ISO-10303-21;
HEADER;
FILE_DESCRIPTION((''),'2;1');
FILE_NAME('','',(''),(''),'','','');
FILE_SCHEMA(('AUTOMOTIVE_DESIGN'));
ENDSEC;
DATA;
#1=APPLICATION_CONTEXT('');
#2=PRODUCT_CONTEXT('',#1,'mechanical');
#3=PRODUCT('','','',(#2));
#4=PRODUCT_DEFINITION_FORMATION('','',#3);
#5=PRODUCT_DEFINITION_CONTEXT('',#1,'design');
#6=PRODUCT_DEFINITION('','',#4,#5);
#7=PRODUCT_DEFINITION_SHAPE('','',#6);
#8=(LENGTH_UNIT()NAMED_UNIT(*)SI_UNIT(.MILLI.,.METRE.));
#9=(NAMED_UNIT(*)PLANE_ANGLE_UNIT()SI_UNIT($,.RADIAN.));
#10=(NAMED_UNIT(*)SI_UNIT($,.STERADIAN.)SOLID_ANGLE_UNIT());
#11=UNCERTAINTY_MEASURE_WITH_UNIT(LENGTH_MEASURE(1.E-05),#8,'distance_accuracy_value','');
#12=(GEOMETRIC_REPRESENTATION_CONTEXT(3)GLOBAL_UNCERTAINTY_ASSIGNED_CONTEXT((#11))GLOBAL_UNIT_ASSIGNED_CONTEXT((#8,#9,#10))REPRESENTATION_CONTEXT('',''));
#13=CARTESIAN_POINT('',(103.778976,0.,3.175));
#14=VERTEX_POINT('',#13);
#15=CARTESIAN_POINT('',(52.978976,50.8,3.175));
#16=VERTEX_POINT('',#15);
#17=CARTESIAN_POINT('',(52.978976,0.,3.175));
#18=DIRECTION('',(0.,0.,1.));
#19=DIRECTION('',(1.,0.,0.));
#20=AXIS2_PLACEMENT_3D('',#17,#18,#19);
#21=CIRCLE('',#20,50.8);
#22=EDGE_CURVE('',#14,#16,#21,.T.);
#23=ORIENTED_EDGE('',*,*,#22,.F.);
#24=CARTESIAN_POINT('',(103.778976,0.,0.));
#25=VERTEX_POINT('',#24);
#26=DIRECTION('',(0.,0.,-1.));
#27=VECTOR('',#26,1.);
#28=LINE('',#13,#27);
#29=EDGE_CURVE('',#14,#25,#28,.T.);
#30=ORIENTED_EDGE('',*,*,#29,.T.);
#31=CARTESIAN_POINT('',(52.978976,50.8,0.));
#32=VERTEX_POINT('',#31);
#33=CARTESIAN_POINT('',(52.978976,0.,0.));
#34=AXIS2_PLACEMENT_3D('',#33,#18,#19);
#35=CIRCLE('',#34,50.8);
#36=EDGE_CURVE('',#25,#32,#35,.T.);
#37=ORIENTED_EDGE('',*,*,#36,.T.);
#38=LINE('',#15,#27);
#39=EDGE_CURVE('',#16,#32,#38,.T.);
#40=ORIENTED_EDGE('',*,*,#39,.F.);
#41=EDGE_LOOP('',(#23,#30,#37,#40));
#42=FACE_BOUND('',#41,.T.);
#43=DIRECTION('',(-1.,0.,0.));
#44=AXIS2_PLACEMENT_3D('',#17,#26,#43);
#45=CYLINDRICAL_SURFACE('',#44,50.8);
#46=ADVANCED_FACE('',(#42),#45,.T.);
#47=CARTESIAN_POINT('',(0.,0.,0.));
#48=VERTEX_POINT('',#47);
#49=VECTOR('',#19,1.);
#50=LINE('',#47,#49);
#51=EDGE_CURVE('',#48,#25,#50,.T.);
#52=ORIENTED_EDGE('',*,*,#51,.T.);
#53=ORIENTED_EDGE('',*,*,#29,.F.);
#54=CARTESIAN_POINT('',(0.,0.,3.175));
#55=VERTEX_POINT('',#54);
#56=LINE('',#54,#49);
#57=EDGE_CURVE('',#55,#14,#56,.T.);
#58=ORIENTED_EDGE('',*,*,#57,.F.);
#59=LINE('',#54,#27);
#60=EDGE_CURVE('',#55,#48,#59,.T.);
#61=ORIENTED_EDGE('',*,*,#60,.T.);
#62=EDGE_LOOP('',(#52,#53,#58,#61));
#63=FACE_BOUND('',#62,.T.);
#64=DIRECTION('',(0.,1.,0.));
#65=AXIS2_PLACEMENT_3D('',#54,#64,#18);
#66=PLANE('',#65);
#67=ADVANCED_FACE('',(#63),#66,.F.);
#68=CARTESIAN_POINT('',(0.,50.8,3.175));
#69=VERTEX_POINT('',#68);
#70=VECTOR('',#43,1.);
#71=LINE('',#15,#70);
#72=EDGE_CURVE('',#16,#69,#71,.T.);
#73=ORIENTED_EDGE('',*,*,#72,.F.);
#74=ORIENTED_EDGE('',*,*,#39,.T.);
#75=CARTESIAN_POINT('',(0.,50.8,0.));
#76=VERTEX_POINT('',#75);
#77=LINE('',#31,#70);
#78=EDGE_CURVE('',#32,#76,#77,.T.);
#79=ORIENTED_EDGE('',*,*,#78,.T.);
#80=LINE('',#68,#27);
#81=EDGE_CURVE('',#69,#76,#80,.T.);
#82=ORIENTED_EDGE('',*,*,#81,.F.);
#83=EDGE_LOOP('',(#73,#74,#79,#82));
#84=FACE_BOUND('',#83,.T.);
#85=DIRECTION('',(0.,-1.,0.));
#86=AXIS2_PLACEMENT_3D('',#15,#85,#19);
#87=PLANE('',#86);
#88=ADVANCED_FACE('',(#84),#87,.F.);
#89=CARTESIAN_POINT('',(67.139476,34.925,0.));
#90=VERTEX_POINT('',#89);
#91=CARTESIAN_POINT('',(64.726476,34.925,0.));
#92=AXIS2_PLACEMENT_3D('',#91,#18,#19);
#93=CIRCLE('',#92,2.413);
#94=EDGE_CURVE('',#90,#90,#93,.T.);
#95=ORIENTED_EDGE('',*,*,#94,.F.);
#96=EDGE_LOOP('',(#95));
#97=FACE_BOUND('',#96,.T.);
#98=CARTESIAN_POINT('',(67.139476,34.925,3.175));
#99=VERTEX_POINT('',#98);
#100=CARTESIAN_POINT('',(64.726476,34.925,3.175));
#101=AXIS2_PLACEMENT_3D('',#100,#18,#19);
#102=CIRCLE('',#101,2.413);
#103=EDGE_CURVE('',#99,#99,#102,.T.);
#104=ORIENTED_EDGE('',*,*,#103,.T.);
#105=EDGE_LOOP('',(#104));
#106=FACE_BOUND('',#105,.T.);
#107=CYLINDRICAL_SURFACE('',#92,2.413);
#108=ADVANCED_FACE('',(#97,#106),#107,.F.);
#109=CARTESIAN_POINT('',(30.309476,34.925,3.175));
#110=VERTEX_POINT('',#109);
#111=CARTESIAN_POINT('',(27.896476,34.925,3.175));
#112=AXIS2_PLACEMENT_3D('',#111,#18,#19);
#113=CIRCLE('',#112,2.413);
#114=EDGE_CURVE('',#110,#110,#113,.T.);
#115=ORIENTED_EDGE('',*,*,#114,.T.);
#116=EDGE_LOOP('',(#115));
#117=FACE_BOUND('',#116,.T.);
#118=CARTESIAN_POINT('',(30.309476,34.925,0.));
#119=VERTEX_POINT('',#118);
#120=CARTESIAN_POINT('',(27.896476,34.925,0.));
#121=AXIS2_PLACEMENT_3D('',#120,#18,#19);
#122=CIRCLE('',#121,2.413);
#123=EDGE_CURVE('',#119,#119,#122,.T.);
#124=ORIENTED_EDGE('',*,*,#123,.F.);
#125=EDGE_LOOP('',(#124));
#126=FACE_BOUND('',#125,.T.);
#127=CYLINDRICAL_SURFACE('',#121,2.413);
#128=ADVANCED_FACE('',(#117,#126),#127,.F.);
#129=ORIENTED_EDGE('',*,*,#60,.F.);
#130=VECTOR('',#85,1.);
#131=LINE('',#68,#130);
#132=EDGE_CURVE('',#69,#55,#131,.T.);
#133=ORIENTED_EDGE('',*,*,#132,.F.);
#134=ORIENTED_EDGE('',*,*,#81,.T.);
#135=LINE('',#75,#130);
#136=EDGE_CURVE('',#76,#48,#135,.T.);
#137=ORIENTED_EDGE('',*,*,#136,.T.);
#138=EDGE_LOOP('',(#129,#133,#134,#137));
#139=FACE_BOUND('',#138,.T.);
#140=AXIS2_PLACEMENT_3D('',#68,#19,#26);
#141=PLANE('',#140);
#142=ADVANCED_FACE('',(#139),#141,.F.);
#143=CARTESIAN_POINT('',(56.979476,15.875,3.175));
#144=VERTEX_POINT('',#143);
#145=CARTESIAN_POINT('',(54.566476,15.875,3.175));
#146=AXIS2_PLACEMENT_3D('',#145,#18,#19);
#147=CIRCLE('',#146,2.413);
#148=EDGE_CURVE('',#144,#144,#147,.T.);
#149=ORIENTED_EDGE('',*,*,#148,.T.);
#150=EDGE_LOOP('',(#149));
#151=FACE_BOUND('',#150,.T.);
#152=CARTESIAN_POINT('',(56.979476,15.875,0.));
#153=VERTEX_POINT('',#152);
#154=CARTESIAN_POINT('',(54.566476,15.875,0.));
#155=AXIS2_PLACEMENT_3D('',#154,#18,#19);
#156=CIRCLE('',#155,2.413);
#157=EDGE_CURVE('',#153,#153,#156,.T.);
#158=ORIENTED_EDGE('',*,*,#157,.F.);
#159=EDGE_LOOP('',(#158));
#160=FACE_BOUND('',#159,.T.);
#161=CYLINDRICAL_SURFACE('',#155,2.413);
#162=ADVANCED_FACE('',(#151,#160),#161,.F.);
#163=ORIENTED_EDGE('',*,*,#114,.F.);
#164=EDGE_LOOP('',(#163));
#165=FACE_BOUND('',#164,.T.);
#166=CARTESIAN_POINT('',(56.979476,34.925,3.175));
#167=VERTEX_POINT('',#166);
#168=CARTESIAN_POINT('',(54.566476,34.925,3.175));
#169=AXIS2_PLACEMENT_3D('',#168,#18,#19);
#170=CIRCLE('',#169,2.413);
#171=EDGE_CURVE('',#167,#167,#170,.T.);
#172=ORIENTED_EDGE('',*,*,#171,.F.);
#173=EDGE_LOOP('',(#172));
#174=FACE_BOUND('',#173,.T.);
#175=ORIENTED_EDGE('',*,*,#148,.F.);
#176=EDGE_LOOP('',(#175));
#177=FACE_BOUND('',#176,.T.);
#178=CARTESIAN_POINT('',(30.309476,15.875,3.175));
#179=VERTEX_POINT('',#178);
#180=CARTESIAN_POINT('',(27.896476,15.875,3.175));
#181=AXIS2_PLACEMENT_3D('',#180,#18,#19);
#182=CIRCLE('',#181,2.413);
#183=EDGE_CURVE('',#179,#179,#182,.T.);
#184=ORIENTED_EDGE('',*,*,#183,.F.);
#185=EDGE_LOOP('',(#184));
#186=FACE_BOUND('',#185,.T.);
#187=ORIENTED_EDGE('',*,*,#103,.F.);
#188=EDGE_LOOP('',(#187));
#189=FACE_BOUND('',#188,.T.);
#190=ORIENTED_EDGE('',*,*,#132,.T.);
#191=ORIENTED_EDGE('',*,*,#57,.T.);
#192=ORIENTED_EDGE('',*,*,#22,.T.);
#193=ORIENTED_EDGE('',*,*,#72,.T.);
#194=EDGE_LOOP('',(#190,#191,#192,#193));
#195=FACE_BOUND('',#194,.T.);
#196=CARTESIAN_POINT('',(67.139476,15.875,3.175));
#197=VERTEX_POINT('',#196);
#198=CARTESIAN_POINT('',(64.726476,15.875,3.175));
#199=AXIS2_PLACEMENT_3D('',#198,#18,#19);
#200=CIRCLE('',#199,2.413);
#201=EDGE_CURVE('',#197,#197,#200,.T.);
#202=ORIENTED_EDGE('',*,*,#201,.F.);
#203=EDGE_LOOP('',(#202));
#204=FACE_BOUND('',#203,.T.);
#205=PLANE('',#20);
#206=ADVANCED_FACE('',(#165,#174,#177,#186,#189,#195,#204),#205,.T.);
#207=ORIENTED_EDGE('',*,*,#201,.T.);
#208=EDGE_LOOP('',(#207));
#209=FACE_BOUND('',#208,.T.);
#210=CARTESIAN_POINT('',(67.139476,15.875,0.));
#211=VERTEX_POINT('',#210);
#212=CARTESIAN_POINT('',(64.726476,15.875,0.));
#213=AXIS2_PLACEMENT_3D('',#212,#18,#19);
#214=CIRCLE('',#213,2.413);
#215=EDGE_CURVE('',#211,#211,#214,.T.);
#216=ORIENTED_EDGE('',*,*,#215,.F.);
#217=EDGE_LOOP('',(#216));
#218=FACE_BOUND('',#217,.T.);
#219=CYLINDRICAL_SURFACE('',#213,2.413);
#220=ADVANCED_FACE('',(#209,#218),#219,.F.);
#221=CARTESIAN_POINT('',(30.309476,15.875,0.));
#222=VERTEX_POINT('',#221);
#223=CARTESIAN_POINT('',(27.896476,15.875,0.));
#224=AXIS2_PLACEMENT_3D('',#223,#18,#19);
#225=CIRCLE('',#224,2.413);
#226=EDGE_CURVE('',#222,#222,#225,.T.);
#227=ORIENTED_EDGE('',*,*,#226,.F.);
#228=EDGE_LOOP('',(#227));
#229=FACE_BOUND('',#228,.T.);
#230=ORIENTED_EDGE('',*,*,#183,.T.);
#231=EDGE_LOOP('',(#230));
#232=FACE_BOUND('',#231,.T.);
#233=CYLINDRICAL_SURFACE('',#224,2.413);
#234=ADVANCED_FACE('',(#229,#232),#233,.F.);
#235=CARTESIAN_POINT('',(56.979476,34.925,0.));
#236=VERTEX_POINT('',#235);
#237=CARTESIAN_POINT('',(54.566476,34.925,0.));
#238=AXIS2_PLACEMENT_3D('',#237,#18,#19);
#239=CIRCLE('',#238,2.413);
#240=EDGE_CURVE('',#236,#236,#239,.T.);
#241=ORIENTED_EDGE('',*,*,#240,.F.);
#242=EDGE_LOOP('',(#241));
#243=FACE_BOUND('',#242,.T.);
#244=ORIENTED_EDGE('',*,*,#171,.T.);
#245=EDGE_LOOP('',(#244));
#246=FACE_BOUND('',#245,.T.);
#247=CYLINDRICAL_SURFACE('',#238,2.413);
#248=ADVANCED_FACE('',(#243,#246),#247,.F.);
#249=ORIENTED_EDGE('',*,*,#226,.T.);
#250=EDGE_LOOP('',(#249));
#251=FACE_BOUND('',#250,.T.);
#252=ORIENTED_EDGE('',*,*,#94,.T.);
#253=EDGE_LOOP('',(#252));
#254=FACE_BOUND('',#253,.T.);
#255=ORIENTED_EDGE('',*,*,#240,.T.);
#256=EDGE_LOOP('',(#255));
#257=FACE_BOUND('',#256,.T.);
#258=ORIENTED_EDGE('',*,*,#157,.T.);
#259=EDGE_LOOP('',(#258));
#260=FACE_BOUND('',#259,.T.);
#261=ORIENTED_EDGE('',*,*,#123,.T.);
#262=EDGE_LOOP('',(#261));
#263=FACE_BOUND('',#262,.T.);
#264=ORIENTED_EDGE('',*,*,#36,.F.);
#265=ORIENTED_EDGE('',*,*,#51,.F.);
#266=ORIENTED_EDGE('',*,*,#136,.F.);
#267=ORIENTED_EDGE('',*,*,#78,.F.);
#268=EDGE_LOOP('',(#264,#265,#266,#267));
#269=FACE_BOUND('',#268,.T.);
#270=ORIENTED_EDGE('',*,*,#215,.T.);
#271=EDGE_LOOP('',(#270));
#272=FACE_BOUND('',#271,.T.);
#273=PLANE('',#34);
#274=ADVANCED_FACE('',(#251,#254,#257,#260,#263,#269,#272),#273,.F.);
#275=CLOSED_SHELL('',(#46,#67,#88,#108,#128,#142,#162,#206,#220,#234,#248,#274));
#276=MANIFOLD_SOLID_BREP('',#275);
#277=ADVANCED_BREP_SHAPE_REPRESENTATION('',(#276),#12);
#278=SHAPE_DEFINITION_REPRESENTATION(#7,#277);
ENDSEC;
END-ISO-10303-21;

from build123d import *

# Parameters (mm, degrees)
BOSS_EXTRUDE1_DEPTH     = 3.175
SKETCH3_R               = 2.413
CUT_EXTRUDE1_DEPTH      = 1
CUT_EXTRUDE1_DEPTH_BACK = 4.175


with BuildPart() as part:
    # Sketch1 → Boss-Extrude1 (new body)
    with BuildSketch(Plane.XY):
        with BuildLine():
            Line((0, 50.8), (0, 0))
            Line((0, 0), (103.778975516, 0))
            ThreePointArc((103.778975516, 0), (88.9, 35.921024484), (52.978975516, 50.8))
            Line((52.978975516, 50.8), (0, 50.8))
        make_face()
    extrude(amount=BOSS_EXTRUDE1_DEPTH)

    # Sketch3 → Cut-Extrude1 (cut, two sides)
    with BuildSketch(Plane.XY.offset(3.175)) as cut_extrude1_sk:
        with Locations((64.726475516, 15.875)):
            Circle(SKETCH3_R)
        with Locations((64.726475516, 34.925)):
            Circle(SKETCH3_R)
        with Locations((27.896475516, 15.875)):
            Circle(SKETCH3_R)
        with Locations((27.896475516, 34.925)):
            Circle(SKETCH3_R)
        with Locations((54.566475516, 34.925)):
            Circle(SKETCH3_R)
        with Locations((54.566475516, 15.875)):
            Circle(SKETCH3_R)
    extrude(amount=CUT_EXTRUDE1_DEPTH, mode=Mode.SUBTRACT)
    extrude(cut_extrude1_sk.sketch, amount=-CUT_EXTRUDE1_DEPTH_BACK, mode=Mode.SUBTRACT)


solid = part.part
